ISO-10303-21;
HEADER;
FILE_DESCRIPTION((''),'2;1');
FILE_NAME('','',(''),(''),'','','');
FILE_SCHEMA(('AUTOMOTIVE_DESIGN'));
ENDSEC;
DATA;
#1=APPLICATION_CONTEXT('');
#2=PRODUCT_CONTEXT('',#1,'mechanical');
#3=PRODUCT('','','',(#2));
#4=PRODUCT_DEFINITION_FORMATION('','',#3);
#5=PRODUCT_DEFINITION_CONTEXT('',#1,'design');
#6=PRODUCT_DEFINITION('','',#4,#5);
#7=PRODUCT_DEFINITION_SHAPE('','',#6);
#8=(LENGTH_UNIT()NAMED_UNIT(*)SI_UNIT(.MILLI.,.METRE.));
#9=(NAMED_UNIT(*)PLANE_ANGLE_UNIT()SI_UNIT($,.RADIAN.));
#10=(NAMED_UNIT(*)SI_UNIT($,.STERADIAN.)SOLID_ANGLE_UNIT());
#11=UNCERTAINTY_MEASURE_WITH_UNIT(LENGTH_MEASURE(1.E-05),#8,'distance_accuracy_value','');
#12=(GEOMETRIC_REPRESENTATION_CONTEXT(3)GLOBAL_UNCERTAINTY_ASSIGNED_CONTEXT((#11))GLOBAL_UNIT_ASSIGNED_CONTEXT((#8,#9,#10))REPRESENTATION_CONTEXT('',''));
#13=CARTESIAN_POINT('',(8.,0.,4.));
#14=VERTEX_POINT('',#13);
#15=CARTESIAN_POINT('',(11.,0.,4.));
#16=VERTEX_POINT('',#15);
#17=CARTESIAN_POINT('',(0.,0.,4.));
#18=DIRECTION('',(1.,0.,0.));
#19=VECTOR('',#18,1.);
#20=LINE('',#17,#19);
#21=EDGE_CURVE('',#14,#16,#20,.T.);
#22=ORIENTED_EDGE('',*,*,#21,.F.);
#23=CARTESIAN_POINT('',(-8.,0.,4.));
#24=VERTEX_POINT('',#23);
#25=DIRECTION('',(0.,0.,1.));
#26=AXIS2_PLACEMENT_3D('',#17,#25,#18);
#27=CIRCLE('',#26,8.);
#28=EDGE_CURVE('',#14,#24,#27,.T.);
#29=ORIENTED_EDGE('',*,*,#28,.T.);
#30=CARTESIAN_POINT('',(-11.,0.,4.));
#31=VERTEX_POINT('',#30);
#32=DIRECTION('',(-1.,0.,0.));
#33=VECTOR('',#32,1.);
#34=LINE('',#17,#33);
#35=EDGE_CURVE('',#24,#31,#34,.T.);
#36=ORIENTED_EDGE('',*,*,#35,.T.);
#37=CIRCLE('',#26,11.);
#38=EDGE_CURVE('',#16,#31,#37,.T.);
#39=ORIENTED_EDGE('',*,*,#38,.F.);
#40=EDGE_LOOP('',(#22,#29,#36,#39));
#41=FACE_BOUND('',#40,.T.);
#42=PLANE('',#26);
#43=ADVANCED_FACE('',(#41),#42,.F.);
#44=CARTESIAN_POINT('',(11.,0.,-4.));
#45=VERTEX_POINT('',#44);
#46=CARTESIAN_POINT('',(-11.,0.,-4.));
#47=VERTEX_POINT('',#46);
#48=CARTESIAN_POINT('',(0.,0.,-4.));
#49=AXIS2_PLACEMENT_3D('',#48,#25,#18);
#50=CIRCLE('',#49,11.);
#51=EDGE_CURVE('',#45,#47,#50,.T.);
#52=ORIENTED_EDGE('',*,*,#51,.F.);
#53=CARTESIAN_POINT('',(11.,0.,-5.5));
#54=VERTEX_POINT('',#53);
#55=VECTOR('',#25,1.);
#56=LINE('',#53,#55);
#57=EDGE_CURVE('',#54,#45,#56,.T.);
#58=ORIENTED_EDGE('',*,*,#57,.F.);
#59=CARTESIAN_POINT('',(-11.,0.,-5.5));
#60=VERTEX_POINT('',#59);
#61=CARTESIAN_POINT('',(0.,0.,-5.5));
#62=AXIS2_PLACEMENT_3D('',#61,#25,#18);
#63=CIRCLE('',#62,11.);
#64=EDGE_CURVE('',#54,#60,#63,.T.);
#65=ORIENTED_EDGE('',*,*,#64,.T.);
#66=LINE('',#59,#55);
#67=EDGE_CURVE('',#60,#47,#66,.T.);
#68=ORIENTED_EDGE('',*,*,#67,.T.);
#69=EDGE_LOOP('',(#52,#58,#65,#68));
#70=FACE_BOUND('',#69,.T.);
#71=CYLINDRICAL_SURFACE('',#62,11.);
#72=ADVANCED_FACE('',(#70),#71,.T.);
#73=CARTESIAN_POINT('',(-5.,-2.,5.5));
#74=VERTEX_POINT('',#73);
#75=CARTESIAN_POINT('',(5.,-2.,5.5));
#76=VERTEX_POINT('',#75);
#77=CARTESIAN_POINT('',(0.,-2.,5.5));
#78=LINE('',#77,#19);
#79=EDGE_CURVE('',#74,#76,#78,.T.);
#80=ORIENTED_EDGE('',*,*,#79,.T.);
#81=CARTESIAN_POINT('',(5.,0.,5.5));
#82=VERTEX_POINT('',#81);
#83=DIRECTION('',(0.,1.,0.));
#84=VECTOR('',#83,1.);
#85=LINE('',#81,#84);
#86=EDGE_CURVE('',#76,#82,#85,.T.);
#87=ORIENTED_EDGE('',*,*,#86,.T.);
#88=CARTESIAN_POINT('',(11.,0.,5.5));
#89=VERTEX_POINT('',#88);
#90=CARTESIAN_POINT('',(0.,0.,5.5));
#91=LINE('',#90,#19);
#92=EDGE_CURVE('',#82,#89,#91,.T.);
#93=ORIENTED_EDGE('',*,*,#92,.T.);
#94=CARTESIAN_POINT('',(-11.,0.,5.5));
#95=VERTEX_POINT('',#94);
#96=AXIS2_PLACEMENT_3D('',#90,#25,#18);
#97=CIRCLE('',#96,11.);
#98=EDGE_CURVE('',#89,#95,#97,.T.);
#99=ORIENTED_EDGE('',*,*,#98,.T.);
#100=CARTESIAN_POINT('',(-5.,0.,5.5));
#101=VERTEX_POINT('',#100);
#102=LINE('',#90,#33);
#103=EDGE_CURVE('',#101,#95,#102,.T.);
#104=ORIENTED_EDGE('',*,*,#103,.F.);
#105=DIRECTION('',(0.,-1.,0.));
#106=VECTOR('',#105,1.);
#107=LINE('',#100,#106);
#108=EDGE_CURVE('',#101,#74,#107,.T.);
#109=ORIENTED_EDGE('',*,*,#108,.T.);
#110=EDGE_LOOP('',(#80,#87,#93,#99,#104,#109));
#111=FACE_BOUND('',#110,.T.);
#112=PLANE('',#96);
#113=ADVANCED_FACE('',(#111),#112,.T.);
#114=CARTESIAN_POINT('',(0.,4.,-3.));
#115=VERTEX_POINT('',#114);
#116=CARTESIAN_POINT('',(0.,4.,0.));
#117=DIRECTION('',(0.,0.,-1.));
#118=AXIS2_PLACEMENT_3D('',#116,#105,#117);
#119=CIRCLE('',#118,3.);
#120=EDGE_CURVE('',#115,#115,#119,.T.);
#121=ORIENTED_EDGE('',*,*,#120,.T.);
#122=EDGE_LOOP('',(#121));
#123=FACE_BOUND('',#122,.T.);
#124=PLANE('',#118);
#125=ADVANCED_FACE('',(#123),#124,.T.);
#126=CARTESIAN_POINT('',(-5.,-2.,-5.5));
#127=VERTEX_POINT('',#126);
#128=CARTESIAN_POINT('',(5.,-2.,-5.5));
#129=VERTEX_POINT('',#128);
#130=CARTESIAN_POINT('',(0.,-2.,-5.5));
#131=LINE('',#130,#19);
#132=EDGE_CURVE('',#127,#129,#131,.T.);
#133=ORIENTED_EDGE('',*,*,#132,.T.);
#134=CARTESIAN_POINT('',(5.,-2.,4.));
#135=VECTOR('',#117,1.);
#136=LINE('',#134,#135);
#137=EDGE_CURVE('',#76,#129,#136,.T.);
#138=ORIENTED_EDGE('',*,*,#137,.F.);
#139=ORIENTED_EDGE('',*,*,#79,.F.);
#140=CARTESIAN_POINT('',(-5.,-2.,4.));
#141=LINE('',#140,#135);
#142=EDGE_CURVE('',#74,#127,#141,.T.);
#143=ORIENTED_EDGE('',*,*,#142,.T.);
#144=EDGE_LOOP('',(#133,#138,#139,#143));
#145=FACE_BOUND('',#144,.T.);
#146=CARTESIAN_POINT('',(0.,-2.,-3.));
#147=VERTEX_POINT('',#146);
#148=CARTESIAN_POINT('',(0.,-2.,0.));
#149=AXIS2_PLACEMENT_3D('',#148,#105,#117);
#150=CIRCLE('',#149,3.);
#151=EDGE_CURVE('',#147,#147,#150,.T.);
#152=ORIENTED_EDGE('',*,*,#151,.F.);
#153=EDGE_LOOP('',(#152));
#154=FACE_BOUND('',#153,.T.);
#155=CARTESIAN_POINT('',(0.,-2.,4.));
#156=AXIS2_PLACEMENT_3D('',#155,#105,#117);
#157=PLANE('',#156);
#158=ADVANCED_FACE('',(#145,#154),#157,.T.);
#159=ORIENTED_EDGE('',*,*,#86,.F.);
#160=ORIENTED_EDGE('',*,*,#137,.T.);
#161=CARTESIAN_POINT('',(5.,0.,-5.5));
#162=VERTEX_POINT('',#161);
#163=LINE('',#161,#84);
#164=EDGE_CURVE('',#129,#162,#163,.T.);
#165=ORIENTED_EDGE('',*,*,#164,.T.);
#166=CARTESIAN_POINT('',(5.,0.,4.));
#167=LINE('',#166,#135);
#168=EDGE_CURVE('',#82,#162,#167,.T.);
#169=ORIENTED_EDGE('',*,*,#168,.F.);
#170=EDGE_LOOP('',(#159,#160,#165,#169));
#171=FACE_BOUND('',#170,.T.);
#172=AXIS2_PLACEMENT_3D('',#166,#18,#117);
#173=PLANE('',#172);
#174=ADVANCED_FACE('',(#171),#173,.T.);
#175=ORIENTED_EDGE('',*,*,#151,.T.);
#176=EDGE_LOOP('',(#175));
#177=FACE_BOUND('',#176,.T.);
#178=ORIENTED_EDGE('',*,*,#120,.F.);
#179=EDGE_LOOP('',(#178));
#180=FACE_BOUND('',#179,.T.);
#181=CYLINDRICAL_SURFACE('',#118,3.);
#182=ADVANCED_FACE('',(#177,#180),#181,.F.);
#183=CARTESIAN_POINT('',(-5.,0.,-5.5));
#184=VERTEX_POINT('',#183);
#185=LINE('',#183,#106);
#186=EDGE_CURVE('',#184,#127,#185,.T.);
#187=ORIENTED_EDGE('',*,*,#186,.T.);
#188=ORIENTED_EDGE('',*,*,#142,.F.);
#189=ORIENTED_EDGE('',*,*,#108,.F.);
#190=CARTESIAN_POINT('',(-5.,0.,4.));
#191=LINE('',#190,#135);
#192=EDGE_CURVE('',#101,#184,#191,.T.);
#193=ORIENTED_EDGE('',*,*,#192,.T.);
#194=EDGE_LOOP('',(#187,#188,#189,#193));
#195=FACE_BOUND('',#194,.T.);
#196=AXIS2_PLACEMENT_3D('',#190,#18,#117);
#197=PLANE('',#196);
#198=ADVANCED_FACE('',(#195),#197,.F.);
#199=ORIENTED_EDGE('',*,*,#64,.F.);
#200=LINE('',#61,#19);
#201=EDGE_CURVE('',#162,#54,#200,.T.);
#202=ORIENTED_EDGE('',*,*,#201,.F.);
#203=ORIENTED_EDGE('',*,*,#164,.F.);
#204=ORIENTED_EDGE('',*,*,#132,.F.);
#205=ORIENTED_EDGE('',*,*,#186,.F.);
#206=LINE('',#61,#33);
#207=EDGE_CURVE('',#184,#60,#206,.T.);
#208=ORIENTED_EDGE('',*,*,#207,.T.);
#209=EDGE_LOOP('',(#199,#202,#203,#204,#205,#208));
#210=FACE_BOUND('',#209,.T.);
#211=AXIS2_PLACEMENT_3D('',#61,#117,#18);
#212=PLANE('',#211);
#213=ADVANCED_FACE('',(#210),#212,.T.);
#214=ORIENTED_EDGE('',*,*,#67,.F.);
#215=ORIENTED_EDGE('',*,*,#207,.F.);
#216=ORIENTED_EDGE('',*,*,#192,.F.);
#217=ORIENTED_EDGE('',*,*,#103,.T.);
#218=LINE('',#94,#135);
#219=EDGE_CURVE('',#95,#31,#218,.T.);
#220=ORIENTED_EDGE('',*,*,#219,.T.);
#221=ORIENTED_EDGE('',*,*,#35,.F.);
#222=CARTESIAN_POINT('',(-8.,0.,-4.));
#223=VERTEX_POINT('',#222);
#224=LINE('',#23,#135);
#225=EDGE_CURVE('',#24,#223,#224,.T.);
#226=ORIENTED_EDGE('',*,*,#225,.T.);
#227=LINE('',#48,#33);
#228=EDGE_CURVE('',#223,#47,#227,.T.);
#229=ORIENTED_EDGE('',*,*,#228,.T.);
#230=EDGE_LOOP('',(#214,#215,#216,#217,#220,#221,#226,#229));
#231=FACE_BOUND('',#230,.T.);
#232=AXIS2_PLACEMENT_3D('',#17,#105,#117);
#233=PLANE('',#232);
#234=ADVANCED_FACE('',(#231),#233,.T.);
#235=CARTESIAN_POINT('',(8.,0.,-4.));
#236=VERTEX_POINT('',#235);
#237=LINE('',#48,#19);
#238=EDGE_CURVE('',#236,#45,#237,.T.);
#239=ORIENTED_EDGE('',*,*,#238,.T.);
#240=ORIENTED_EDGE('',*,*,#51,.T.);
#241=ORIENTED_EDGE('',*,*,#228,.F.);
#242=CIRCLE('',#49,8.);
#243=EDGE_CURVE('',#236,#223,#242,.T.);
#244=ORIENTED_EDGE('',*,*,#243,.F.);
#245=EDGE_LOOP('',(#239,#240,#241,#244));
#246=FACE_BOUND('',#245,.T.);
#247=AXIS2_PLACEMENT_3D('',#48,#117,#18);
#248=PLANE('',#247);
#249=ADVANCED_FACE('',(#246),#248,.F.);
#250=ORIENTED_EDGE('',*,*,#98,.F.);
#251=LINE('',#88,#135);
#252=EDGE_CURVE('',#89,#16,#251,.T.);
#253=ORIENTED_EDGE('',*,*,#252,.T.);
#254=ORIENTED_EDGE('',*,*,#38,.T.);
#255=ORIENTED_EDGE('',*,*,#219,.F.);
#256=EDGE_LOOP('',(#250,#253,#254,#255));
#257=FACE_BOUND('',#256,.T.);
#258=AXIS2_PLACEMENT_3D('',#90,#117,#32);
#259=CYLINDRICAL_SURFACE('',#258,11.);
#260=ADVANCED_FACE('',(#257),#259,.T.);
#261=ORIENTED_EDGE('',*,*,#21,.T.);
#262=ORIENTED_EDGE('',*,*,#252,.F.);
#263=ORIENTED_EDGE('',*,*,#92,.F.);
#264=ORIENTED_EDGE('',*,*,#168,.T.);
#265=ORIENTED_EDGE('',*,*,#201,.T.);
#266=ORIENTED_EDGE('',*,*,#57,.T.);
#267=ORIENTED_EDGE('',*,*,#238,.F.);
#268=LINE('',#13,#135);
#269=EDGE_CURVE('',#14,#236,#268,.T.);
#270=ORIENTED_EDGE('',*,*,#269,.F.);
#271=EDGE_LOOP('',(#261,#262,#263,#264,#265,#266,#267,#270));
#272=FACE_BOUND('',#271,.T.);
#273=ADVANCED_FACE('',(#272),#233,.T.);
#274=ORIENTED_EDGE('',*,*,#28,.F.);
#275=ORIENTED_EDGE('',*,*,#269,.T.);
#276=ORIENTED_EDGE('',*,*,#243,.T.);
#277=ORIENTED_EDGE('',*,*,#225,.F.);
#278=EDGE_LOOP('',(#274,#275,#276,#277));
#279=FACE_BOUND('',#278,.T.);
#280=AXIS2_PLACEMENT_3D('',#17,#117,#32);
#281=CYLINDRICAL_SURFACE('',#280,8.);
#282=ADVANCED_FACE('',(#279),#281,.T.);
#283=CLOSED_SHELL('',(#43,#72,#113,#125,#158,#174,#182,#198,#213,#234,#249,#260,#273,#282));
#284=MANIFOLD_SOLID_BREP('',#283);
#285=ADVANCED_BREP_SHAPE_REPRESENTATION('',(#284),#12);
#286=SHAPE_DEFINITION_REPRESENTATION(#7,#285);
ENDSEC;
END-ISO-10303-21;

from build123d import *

# Parameters (mm, degrees)
CROQUIS1_W              = 5
CROQUIS1_H              = 2
SALIENTE_EXTRUIR1_DEPTH = 4
CROQUIS2_R              = 3
CORTAR_EXTRUIR1_DEPTH   = 6
SALIENTE_EXTRUIR2_START = 1.5
SALIENTE_EXTRUIR2_DEPTH = 1.5


with BuildPart() as part:
    # Croquis1 → Saliente-Extruir1 (new, symmetric)
    with BuildSketch(Plane.XY):
        with BuildLine():
            Line((5, 0), (8, 0))
            ThreePointArc((8, 0), (5.656854249, 5.656854249), (0, 8))
            Line((0, 8), (0, 0))
            Line((0, 0), (5, 0))
        make_face()
        with BuildLine():
            Line((0, 0), (0, 8))
            ThreePointArc((0, 8), (-5.656854249, 5.656854249), (-8, 0))
            Line((-8, 0), (-5, 0))
            Line((-5, 0), (0, 0))
        make_face()
        with BuildLine():
            Line((5, 0), (8, 0))
            ThreePointArc((8, 0), (5.656854249, 5.656854249), (0, 8))
            Line((0, 8), (0, 0))
            Line((0, 0), (5, 0))
        make_face()
        with BuildLine():
            Line((0, 0), (0, 8))
            ThreePointArc((0, 8), (-5.656854249, 5.656854249), (-8, 0))
            Line((-8, 0), (-5, 0))
            Line((-5, 0), (0, 0))
        make_face()
        with Locations((2.5, -1)):
            Rectangle(CROQUIS1_W, CROQUIS1_H)
        with Locations((-2.5, -1)):
            Rectangle(CROQUIS1_W, CROQUIS1_H)
    extrude(amount=SALIENTE_EXTRUIR1_DEPTH, both=True)

    # Croquis2 → Cortar-Extruir1 (cut)
    with BuildSketch(Plane.XZ.offset(2)):
        with Locations(Location((0, 0, 0), (0, 0, 270))):
            Circle(CROQUIS2_R)
    extrude(amount=-CORTAR_EXTRUIR1_DEPTH, mode=Mode.SUBTRACT)

    # Croquis3 → Saliente-Extruir2 (add)
    with BuildSketch(Plane.XY.offset(4).offset(SALIENTE_EXTRUIR2_START)):
        with BuildLine():
            Line((8, 0), (11, 0))
            ThreePointArc((11, 0), (0, 11), (-11, 0))
            Line((-11, 0), (-8, 0))
            ThreePointArc((-8, 0), (0, 8), (8, 0))
        make_face()
        with BuildLine():
            Line((-5, 0), (-5, -2))
            Line((-5, -2), (5, -2))
            Line((5, -2), (5, 0))
            Line((5, 0), (8, 0))
            ThreePointArc((8, 0), (0, 8), (-8, 0))
            Line((-8, 0), (-5, 0))
        make_face()
    saliente_extruir2 = extrude(amount=-SALIENTE_EXTRUIR2_DEPTH)

    # Simetría1: Saliente-Extruir2 across plane
    add(saliente_extruir2.mirror(Plane.XY))


solid = part.part
